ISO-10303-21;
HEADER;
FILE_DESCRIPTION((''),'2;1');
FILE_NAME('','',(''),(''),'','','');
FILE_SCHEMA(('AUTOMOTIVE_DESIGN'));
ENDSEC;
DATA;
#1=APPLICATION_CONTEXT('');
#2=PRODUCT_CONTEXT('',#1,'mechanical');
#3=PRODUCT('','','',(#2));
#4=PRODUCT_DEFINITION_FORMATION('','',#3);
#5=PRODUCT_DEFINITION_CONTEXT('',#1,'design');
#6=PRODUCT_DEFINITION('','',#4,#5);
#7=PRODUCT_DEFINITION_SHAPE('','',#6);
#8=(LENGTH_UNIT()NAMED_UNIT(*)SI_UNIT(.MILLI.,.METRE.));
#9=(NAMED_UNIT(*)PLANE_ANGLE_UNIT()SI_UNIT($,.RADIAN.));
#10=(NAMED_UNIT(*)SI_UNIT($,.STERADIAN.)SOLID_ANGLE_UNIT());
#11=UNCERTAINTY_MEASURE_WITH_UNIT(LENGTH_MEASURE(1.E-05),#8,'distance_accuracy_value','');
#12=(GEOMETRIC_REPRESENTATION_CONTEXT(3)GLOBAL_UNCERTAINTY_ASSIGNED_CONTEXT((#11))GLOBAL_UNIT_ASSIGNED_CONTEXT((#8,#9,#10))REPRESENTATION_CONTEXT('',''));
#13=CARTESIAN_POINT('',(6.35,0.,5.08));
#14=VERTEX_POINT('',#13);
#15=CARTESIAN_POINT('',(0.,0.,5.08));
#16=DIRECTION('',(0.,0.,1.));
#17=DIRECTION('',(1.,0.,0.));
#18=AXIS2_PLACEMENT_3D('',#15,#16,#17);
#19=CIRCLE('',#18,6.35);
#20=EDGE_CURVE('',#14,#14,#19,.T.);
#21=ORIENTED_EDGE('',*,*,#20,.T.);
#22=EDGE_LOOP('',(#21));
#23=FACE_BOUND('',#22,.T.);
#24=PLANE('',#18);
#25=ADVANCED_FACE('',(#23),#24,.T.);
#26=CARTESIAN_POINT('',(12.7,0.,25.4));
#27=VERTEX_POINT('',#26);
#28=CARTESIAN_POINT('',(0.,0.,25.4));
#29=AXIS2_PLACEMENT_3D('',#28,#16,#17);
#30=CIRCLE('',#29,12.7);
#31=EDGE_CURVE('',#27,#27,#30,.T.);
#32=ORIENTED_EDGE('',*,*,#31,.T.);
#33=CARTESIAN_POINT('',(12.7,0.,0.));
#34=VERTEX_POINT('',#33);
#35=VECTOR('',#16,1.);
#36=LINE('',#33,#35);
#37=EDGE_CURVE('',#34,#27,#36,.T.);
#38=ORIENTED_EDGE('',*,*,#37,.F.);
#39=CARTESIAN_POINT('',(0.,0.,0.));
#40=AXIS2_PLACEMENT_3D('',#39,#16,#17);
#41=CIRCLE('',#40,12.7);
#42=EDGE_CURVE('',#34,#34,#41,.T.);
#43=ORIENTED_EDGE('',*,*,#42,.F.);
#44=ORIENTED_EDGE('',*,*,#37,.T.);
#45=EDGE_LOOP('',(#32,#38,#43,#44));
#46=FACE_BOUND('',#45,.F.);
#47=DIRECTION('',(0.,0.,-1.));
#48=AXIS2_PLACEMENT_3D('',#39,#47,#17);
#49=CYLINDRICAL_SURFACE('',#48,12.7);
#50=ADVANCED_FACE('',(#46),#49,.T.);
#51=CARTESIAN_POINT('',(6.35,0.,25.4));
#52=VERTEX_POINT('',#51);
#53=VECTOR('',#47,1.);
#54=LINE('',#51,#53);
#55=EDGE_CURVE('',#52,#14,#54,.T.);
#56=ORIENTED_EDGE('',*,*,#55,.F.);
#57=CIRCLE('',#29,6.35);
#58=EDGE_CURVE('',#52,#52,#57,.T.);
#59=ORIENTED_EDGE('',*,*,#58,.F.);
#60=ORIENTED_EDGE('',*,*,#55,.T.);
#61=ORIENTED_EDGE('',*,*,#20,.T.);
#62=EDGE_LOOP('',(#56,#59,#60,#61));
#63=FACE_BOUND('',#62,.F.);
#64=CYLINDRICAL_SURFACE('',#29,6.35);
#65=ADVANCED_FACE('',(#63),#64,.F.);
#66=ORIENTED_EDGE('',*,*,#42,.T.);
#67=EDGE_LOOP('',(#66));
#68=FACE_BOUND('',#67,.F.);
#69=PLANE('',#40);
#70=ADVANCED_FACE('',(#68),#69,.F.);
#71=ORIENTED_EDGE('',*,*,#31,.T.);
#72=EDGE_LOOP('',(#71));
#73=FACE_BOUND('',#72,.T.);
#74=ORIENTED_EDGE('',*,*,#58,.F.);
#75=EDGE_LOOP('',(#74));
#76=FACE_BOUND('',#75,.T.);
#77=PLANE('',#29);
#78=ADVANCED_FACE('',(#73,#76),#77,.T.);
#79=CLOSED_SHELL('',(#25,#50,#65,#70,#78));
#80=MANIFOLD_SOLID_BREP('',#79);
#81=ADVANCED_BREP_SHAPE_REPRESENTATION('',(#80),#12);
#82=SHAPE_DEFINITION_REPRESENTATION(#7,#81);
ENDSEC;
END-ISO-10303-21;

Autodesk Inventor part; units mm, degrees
ref_plane "YZ Plane" through (0, 0, 0) normal (1, 0, 0) x (0, 1, 0)
ref_plane "XZ Plane" through (0, 0, 0) normal (0, 1, 0) x (-1, 0, 0)
ref_plane "XY Plane" through (0, 0, 0) normal (0, 0, 1) x (1, 0, 0)
sketch "Sketch1" plane through (0, 0, 0) normal (0, 0, 1) x (1, 0, 0)
  circle A0 centre (0, 0) radius 12.7
  dimension "d0" = 25.4
extrude "Extrusion1" add sketch "Sketch1" along normal blind 25.4
sketch "Sketch2" plane through (0, 0, 25.4) normal (0, 0, 1) x (1, 0, 0)
  circle A0 centre (0, 0) radius 6.35
  dimension "d3" = 12.7
extrude "Extrusion2" cut sketch "Sketch2" against normal blind 20.32
properties part number "Circular Post Holders (D=1in)"
